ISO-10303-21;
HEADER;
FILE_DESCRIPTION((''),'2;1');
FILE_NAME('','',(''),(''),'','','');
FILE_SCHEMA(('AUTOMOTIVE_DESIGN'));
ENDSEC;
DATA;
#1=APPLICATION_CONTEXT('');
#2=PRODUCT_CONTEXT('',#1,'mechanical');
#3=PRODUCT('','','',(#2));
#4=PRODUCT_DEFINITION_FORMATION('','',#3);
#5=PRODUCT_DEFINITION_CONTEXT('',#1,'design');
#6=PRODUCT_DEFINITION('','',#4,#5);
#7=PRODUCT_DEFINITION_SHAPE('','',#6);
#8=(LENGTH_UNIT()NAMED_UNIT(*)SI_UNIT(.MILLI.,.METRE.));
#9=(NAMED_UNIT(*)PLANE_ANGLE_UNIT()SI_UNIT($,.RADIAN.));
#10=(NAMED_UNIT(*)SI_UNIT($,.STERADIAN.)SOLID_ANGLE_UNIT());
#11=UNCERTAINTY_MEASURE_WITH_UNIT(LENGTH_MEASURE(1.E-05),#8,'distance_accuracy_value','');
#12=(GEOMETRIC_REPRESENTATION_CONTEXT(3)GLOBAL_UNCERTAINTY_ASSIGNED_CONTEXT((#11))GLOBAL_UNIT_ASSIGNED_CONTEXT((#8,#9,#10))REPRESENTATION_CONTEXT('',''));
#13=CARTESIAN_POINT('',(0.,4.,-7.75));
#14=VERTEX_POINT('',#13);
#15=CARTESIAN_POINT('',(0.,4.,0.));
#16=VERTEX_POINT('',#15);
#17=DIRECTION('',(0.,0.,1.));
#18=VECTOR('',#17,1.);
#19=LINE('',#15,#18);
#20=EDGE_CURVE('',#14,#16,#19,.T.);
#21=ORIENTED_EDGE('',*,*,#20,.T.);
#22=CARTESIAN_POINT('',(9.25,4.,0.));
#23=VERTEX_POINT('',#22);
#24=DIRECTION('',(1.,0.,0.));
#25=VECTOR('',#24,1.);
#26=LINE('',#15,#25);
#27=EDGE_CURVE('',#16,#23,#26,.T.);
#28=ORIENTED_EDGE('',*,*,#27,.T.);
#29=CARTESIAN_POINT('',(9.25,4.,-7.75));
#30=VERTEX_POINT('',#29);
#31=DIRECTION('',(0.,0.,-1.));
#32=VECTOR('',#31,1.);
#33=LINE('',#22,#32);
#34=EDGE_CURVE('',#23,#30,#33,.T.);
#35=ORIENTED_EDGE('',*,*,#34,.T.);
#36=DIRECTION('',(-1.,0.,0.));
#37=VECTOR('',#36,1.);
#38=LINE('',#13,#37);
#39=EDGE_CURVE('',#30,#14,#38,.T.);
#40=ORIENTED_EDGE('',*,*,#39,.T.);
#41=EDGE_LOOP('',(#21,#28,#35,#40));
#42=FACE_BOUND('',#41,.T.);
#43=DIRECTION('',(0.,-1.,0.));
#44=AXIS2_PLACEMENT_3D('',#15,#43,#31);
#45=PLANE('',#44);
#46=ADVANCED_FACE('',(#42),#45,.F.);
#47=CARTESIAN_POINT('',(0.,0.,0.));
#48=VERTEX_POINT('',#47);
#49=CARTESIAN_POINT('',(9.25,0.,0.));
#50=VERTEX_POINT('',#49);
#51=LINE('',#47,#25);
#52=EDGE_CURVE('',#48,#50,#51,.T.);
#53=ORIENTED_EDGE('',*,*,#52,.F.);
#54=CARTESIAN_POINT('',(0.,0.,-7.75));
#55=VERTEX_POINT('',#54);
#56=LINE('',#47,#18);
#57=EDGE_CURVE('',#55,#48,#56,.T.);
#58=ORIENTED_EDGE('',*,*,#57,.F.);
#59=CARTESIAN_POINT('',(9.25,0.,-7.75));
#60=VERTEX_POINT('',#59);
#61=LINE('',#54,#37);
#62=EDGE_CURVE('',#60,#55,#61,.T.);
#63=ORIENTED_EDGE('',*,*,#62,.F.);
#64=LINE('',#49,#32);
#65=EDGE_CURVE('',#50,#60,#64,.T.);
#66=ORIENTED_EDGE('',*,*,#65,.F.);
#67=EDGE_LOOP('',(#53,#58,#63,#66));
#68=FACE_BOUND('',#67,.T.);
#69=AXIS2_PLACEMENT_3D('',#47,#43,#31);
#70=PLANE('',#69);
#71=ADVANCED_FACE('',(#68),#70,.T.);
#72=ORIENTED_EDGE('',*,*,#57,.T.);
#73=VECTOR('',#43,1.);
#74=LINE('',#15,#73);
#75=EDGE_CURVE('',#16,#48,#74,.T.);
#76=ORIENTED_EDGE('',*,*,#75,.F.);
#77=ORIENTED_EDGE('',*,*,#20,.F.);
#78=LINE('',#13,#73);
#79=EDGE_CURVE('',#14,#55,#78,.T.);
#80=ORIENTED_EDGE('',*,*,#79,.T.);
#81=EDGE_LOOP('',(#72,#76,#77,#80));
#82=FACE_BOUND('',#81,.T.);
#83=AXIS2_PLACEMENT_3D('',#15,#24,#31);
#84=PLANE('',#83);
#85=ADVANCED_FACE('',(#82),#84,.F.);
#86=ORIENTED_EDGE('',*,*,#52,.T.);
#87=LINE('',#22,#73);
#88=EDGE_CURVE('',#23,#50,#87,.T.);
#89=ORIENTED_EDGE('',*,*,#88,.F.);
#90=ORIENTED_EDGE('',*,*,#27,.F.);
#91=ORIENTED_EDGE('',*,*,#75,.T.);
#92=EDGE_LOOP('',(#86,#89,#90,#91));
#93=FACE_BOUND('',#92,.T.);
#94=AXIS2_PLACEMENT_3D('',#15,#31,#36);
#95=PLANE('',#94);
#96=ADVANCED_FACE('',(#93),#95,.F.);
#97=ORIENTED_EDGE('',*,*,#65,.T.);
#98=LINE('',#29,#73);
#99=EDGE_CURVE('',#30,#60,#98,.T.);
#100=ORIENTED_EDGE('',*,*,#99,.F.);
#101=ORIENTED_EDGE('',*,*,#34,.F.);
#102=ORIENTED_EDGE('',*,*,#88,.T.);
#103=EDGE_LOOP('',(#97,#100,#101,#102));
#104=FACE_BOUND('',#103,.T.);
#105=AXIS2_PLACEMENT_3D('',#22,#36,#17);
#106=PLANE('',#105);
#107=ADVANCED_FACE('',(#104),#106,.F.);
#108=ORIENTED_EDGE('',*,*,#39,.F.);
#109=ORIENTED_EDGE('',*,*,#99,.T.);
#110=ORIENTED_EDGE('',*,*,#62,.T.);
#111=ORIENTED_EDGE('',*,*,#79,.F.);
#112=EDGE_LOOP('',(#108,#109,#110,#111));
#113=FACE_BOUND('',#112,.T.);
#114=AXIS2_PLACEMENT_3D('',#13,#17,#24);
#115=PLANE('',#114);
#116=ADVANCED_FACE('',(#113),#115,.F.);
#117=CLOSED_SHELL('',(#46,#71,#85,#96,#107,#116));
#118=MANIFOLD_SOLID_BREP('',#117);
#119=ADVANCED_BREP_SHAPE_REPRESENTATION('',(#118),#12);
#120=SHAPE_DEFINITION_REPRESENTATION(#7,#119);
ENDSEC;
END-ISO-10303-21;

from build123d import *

# Parameters (mm, degrees)
USBPORT_SKETCH_W      = 9.25
USBPORT_SKETCH_H      = 7.75
USBPORT_EXTRUDE_DEPTH = 4


with BuildPart() as part:
    # USBPort Sketch → USBPort Extrude (new body)
    with BuildSketch(Plane(origin=(0, 0, 0), x_dir=(1, 0, 0), z_dir=(0, 1, 0))):
        with Locations((4.625, 3.875)):
            Rectangle(USBPORT_SKETCH_W, USBPORT_SKETCH_H)
    extrude(amount=USBPORT_EXTRUDE_DEPTH)


solid = part.part
